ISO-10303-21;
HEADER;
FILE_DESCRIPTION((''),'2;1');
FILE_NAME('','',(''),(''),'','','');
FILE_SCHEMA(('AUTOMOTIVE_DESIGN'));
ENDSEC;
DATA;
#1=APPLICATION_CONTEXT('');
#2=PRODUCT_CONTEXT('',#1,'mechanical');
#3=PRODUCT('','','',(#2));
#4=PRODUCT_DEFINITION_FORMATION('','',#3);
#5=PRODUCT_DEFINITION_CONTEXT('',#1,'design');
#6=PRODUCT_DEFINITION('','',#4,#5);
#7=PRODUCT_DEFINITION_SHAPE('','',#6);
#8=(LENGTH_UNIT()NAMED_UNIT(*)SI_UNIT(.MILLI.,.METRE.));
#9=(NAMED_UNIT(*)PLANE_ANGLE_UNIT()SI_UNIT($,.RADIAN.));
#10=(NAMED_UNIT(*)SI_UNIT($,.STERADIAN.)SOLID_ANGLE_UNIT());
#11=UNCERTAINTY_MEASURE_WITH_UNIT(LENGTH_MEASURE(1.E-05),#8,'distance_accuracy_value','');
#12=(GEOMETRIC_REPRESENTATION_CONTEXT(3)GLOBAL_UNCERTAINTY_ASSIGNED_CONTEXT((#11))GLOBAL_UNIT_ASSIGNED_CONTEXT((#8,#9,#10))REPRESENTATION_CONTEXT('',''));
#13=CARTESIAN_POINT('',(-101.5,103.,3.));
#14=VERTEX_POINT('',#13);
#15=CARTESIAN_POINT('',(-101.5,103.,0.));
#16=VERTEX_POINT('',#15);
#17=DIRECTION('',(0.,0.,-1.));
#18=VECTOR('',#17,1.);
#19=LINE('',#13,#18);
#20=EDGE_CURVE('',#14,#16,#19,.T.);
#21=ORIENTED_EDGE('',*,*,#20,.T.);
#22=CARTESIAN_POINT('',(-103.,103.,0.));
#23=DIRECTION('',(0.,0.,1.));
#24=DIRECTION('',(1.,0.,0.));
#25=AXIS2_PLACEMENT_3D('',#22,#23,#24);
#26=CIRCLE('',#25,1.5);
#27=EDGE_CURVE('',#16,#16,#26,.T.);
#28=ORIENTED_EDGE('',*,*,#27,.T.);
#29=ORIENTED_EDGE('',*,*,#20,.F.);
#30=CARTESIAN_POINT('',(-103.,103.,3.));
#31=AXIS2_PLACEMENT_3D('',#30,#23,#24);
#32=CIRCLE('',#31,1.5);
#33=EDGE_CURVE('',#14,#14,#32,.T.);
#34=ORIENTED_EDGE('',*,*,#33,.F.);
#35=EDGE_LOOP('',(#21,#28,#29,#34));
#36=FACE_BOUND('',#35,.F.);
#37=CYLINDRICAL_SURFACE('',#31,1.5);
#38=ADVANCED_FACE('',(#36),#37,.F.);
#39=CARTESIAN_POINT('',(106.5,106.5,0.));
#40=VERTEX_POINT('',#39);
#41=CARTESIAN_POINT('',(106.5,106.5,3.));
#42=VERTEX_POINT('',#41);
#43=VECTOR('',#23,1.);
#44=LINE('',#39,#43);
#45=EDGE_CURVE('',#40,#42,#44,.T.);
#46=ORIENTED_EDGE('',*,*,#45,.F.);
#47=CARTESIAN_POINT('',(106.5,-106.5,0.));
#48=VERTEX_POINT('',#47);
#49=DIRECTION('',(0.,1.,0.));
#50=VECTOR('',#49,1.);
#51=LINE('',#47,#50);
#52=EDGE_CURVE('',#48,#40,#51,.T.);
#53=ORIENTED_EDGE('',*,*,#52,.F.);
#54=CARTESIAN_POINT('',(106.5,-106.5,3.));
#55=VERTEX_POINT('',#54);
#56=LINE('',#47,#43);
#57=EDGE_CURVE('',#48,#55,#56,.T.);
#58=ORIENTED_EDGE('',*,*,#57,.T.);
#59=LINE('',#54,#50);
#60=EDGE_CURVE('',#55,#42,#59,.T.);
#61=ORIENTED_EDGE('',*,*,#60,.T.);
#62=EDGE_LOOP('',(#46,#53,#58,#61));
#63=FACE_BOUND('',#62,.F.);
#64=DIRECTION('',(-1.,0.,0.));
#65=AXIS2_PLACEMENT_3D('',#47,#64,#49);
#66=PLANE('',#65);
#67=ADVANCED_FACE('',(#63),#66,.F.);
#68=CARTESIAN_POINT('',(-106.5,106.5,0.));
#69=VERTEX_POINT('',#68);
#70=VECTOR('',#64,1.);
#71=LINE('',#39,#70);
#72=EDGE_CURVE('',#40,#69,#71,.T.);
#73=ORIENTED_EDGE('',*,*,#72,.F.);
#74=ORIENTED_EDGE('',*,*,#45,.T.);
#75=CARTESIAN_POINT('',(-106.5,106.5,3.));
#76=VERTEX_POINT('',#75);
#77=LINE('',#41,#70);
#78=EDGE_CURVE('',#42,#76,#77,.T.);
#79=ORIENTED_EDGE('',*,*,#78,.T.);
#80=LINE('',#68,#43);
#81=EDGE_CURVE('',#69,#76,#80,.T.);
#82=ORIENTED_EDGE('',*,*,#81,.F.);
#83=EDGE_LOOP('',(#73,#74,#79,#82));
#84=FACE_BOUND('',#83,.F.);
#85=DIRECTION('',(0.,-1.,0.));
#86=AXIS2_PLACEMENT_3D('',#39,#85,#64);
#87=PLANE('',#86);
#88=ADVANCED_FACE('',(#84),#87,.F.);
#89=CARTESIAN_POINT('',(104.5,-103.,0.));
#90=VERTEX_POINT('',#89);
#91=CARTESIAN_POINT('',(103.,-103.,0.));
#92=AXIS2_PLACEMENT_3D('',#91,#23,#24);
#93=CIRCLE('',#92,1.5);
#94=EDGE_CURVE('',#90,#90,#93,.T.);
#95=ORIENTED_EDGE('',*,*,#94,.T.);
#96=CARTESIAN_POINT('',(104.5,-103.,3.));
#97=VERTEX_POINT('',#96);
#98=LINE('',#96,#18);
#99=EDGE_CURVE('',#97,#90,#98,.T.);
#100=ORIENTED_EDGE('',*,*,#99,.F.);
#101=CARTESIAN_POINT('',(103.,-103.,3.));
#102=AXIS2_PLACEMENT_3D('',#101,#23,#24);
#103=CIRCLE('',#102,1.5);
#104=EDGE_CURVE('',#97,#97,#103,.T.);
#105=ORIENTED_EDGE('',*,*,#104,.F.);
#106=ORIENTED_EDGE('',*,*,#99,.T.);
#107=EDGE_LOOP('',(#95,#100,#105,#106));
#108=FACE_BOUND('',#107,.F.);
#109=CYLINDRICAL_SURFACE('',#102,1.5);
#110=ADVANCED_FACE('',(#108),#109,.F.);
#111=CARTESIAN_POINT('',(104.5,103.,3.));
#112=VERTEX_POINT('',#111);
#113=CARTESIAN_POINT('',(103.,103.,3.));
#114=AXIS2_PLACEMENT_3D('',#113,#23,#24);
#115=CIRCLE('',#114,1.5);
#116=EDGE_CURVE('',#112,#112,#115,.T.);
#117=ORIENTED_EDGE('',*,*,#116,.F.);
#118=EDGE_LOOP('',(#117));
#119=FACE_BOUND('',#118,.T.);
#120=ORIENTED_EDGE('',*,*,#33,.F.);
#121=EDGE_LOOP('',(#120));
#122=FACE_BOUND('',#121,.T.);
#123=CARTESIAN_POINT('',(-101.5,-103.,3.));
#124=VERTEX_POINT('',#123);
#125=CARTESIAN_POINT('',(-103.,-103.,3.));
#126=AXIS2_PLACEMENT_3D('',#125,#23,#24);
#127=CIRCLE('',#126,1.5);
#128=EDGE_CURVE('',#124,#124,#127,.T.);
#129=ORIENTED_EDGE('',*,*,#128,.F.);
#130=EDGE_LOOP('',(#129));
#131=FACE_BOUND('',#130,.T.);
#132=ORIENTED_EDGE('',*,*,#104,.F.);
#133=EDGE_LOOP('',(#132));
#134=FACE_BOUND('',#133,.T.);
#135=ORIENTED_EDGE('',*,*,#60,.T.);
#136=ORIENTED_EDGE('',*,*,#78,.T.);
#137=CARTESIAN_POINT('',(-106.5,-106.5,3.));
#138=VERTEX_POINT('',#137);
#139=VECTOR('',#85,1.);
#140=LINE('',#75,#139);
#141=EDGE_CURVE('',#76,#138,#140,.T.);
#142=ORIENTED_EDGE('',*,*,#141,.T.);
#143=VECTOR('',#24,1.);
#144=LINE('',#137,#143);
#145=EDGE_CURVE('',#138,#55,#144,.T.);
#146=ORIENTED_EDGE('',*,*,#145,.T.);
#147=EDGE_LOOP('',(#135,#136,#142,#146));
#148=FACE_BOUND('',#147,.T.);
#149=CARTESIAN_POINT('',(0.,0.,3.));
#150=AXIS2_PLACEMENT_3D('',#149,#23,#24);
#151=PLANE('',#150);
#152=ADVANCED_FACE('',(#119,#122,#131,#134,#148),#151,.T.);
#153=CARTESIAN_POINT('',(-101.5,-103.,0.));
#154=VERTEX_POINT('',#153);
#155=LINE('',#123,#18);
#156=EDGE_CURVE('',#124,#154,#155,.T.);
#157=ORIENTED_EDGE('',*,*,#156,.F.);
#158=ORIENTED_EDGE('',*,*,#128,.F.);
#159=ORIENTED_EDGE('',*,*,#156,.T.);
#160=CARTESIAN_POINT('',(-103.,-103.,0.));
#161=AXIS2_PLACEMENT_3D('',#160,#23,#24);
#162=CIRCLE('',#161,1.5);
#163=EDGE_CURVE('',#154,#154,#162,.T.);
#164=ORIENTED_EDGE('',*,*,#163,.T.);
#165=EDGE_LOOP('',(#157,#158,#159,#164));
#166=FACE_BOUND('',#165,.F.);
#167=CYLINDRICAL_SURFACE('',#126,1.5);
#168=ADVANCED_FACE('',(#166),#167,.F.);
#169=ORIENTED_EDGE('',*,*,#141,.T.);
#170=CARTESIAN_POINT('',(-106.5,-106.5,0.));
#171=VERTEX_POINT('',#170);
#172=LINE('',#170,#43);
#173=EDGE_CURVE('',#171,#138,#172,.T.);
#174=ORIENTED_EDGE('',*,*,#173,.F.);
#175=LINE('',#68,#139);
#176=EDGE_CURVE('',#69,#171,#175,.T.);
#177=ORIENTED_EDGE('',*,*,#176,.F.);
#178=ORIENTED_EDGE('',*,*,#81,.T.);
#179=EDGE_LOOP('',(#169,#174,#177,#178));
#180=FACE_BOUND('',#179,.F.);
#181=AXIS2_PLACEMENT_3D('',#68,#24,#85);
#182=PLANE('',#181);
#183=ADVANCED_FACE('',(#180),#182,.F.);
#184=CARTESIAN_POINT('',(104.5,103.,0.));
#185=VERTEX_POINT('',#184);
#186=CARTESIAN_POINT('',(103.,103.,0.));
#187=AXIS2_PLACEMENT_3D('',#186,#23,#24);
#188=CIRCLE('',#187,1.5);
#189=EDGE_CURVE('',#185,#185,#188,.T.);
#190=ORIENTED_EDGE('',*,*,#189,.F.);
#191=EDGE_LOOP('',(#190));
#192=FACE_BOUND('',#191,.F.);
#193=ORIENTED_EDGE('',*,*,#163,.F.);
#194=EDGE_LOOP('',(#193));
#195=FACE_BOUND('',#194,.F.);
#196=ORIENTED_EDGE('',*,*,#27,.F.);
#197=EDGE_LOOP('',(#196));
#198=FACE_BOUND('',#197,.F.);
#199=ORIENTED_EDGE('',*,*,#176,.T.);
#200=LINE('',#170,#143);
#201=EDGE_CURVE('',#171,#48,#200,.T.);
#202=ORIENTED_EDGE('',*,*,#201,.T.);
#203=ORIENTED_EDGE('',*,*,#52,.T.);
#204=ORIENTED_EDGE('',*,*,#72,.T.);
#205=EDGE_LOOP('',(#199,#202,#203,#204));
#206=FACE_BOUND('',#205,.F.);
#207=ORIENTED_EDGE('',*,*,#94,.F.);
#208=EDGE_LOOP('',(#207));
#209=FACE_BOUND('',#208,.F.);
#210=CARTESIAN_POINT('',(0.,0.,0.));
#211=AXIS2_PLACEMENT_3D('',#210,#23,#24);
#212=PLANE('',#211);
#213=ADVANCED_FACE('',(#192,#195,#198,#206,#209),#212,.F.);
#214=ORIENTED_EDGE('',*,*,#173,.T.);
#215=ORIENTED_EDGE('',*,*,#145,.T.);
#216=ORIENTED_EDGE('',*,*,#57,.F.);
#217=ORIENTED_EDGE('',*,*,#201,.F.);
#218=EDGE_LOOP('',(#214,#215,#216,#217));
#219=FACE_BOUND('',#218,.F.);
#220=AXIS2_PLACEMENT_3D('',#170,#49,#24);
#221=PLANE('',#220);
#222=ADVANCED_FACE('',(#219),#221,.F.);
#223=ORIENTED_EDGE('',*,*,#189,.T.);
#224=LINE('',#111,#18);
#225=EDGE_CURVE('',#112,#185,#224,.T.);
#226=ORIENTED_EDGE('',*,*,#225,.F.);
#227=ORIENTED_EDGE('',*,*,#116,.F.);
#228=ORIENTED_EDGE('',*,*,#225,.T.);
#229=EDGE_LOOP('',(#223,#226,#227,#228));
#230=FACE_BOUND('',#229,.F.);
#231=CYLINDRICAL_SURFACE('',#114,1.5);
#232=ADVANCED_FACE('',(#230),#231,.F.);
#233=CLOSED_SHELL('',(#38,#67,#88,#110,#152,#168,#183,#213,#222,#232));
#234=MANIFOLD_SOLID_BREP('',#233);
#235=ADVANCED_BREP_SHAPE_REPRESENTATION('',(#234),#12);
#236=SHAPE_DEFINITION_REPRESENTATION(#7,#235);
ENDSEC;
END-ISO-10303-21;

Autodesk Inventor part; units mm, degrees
ref_plane "YZ Plane" through (0, 0, 0) normal (1, 0, 0) x (0, 1, 0)
ref_plane "XZ Plane" through (0, 0, 0) normal (0, 1, 0) x (-1, 0, 0)
ref_plane "XY Plane" through (0, 0, 0) normal (0, 0, 1) x (1, 0, 0)
sketch "Sketch1" plane through (0, 0, 0) normal (0, 0, 1) x (1, 0, 0)
  line L0 (-106.5, -106.5) -> (106.5, -106.5)
  line L1 (106.5, -106.5) -> (106.5, 106.5)
  line L2 (106.5, 106.5) -> (-106.5, 106.5)
  line L3 (-106.5, 106.5) -> (-106.5, -106.5)
  line L4 (-106.5, -106.5) -> (106.5, 106.5) construction
  line L5 (106.5, -106.5) -> (-106.5, 106.5) construction
  point P0 (0, 0)
  dimension "d0" = 213
extrude "Extrusion1" add sketch "Sketch1" along normal blind 3
sketch "Sketch2" plane through (0, 0, 3) normal (0, 0, 1) x (1, 0, 0)
  line L0 (-106.5, -106.5) -> (106.5, -106.5) projected
  line L1 (106.5, -106.5) -> (106.5, 106.5) projected
  line L2 (106.5, 106.5) -> (-106.5, 106.5) projected
  line L3 (-106.5, 106.5) -> (-106.5, -106.5) projected
  circle A0 centre (-103, 103) radius 1.5
  line L4 (106.5, 106.5) -> (-106.5, 106.5) construction
  line L5 (0, 106.5) -> (0, -106.5) construction
  line L6 (-106.5, -106.5) -> (106.5, -106.5) construction
  line L7 (-106.5, 0) -> (106.5, 0) construction
  circle A1 centre (103, 103) radius 1.5
  circle A2 centre (-103, -103) radius 1.5
  circle A3 centre (103, -103) radius 1.5
  point P0 (0, 0)
  dimension "d3" = 3
  dimension "d4" = 2
  dimension "d5" = 2
extrude "Extrusion2" cut sketch "Sketch2" against normal through all contours A0 | A1 | A2 | A3
properties part number "Heated Build Plate"
